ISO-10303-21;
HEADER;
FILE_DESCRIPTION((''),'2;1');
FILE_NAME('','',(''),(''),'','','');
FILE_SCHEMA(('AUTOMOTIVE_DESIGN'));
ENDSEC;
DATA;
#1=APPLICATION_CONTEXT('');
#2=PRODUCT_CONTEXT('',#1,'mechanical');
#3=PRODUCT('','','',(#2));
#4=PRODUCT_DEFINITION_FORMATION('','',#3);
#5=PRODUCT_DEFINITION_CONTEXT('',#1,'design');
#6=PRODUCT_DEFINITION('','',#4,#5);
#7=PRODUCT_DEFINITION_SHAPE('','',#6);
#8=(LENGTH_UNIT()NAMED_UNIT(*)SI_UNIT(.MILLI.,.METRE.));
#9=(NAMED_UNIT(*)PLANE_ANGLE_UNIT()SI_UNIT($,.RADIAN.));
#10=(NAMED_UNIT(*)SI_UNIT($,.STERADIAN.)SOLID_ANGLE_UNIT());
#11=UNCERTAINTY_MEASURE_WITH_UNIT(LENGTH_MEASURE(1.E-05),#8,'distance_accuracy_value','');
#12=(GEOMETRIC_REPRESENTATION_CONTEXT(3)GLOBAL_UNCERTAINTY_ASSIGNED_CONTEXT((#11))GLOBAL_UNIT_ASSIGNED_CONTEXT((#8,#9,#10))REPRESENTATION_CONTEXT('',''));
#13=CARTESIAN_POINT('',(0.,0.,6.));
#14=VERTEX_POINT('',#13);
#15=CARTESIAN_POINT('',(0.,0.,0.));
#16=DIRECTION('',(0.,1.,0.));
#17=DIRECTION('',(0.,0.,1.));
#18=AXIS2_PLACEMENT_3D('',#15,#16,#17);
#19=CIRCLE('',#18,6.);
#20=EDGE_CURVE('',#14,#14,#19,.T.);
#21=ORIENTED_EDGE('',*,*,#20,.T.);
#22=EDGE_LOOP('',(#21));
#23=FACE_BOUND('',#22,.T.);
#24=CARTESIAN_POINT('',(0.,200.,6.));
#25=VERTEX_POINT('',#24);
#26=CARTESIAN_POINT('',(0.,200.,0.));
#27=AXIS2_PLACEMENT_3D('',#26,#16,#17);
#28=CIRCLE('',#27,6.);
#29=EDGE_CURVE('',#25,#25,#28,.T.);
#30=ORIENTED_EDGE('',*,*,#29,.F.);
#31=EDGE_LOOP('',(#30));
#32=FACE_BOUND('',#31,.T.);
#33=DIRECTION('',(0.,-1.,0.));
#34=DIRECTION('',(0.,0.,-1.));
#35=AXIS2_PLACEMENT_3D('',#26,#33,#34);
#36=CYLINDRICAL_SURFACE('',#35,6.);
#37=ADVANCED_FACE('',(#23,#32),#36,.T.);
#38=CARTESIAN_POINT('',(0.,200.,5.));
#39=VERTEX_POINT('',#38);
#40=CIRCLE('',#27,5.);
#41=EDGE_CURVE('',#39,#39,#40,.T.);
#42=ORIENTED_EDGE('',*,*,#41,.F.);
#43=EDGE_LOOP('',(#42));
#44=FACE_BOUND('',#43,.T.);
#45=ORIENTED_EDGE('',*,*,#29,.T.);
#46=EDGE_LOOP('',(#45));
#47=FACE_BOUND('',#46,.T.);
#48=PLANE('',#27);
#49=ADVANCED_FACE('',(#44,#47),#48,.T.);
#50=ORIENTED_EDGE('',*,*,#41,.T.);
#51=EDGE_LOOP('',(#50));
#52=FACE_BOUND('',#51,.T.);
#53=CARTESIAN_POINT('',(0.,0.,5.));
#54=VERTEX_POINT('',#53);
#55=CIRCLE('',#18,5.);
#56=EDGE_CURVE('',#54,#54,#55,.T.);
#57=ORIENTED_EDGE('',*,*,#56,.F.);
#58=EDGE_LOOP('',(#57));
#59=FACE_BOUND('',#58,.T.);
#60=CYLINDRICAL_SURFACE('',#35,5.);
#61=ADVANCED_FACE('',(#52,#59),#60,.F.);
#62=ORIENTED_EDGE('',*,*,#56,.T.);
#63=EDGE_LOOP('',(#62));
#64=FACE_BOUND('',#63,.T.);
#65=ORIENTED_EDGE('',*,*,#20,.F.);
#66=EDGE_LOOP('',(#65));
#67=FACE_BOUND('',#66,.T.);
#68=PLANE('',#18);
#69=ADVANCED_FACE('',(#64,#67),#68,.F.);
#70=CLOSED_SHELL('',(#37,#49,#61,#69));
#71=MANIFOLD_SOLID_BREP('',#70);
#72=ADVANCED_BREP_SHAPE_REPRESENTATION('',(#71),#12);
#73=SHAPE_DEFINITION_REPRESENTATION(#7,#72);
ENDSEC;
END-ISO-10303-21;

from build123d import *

# Parameters (mm, degrees)
SKETCH1_R           = 6
SKETCH1_R_2         = 5
BOSS_EXTRUDE1_DEPTH = 200


with BuildPart() as part:
    # Sketch1 → Boss-Extrude1 (new body)
    with BuildSketch(Plane(origin=(0, 0, 0), x_dir=(1, 0, 0), z_dir=(0, 1, 0))):
        with Locations(Location((0, 0, 0), (0, 0, 270))):
            Circle(SKETCH1_R)
        with Locations(Location((0, 0, 0), (0, 0, 270))):
            Circle(SKETCH1_R_2, mode=Mode.SUBTRACT)
    extrude(amount=BOSS_EXTRUDE1_DEPTH)


solid = part.part
